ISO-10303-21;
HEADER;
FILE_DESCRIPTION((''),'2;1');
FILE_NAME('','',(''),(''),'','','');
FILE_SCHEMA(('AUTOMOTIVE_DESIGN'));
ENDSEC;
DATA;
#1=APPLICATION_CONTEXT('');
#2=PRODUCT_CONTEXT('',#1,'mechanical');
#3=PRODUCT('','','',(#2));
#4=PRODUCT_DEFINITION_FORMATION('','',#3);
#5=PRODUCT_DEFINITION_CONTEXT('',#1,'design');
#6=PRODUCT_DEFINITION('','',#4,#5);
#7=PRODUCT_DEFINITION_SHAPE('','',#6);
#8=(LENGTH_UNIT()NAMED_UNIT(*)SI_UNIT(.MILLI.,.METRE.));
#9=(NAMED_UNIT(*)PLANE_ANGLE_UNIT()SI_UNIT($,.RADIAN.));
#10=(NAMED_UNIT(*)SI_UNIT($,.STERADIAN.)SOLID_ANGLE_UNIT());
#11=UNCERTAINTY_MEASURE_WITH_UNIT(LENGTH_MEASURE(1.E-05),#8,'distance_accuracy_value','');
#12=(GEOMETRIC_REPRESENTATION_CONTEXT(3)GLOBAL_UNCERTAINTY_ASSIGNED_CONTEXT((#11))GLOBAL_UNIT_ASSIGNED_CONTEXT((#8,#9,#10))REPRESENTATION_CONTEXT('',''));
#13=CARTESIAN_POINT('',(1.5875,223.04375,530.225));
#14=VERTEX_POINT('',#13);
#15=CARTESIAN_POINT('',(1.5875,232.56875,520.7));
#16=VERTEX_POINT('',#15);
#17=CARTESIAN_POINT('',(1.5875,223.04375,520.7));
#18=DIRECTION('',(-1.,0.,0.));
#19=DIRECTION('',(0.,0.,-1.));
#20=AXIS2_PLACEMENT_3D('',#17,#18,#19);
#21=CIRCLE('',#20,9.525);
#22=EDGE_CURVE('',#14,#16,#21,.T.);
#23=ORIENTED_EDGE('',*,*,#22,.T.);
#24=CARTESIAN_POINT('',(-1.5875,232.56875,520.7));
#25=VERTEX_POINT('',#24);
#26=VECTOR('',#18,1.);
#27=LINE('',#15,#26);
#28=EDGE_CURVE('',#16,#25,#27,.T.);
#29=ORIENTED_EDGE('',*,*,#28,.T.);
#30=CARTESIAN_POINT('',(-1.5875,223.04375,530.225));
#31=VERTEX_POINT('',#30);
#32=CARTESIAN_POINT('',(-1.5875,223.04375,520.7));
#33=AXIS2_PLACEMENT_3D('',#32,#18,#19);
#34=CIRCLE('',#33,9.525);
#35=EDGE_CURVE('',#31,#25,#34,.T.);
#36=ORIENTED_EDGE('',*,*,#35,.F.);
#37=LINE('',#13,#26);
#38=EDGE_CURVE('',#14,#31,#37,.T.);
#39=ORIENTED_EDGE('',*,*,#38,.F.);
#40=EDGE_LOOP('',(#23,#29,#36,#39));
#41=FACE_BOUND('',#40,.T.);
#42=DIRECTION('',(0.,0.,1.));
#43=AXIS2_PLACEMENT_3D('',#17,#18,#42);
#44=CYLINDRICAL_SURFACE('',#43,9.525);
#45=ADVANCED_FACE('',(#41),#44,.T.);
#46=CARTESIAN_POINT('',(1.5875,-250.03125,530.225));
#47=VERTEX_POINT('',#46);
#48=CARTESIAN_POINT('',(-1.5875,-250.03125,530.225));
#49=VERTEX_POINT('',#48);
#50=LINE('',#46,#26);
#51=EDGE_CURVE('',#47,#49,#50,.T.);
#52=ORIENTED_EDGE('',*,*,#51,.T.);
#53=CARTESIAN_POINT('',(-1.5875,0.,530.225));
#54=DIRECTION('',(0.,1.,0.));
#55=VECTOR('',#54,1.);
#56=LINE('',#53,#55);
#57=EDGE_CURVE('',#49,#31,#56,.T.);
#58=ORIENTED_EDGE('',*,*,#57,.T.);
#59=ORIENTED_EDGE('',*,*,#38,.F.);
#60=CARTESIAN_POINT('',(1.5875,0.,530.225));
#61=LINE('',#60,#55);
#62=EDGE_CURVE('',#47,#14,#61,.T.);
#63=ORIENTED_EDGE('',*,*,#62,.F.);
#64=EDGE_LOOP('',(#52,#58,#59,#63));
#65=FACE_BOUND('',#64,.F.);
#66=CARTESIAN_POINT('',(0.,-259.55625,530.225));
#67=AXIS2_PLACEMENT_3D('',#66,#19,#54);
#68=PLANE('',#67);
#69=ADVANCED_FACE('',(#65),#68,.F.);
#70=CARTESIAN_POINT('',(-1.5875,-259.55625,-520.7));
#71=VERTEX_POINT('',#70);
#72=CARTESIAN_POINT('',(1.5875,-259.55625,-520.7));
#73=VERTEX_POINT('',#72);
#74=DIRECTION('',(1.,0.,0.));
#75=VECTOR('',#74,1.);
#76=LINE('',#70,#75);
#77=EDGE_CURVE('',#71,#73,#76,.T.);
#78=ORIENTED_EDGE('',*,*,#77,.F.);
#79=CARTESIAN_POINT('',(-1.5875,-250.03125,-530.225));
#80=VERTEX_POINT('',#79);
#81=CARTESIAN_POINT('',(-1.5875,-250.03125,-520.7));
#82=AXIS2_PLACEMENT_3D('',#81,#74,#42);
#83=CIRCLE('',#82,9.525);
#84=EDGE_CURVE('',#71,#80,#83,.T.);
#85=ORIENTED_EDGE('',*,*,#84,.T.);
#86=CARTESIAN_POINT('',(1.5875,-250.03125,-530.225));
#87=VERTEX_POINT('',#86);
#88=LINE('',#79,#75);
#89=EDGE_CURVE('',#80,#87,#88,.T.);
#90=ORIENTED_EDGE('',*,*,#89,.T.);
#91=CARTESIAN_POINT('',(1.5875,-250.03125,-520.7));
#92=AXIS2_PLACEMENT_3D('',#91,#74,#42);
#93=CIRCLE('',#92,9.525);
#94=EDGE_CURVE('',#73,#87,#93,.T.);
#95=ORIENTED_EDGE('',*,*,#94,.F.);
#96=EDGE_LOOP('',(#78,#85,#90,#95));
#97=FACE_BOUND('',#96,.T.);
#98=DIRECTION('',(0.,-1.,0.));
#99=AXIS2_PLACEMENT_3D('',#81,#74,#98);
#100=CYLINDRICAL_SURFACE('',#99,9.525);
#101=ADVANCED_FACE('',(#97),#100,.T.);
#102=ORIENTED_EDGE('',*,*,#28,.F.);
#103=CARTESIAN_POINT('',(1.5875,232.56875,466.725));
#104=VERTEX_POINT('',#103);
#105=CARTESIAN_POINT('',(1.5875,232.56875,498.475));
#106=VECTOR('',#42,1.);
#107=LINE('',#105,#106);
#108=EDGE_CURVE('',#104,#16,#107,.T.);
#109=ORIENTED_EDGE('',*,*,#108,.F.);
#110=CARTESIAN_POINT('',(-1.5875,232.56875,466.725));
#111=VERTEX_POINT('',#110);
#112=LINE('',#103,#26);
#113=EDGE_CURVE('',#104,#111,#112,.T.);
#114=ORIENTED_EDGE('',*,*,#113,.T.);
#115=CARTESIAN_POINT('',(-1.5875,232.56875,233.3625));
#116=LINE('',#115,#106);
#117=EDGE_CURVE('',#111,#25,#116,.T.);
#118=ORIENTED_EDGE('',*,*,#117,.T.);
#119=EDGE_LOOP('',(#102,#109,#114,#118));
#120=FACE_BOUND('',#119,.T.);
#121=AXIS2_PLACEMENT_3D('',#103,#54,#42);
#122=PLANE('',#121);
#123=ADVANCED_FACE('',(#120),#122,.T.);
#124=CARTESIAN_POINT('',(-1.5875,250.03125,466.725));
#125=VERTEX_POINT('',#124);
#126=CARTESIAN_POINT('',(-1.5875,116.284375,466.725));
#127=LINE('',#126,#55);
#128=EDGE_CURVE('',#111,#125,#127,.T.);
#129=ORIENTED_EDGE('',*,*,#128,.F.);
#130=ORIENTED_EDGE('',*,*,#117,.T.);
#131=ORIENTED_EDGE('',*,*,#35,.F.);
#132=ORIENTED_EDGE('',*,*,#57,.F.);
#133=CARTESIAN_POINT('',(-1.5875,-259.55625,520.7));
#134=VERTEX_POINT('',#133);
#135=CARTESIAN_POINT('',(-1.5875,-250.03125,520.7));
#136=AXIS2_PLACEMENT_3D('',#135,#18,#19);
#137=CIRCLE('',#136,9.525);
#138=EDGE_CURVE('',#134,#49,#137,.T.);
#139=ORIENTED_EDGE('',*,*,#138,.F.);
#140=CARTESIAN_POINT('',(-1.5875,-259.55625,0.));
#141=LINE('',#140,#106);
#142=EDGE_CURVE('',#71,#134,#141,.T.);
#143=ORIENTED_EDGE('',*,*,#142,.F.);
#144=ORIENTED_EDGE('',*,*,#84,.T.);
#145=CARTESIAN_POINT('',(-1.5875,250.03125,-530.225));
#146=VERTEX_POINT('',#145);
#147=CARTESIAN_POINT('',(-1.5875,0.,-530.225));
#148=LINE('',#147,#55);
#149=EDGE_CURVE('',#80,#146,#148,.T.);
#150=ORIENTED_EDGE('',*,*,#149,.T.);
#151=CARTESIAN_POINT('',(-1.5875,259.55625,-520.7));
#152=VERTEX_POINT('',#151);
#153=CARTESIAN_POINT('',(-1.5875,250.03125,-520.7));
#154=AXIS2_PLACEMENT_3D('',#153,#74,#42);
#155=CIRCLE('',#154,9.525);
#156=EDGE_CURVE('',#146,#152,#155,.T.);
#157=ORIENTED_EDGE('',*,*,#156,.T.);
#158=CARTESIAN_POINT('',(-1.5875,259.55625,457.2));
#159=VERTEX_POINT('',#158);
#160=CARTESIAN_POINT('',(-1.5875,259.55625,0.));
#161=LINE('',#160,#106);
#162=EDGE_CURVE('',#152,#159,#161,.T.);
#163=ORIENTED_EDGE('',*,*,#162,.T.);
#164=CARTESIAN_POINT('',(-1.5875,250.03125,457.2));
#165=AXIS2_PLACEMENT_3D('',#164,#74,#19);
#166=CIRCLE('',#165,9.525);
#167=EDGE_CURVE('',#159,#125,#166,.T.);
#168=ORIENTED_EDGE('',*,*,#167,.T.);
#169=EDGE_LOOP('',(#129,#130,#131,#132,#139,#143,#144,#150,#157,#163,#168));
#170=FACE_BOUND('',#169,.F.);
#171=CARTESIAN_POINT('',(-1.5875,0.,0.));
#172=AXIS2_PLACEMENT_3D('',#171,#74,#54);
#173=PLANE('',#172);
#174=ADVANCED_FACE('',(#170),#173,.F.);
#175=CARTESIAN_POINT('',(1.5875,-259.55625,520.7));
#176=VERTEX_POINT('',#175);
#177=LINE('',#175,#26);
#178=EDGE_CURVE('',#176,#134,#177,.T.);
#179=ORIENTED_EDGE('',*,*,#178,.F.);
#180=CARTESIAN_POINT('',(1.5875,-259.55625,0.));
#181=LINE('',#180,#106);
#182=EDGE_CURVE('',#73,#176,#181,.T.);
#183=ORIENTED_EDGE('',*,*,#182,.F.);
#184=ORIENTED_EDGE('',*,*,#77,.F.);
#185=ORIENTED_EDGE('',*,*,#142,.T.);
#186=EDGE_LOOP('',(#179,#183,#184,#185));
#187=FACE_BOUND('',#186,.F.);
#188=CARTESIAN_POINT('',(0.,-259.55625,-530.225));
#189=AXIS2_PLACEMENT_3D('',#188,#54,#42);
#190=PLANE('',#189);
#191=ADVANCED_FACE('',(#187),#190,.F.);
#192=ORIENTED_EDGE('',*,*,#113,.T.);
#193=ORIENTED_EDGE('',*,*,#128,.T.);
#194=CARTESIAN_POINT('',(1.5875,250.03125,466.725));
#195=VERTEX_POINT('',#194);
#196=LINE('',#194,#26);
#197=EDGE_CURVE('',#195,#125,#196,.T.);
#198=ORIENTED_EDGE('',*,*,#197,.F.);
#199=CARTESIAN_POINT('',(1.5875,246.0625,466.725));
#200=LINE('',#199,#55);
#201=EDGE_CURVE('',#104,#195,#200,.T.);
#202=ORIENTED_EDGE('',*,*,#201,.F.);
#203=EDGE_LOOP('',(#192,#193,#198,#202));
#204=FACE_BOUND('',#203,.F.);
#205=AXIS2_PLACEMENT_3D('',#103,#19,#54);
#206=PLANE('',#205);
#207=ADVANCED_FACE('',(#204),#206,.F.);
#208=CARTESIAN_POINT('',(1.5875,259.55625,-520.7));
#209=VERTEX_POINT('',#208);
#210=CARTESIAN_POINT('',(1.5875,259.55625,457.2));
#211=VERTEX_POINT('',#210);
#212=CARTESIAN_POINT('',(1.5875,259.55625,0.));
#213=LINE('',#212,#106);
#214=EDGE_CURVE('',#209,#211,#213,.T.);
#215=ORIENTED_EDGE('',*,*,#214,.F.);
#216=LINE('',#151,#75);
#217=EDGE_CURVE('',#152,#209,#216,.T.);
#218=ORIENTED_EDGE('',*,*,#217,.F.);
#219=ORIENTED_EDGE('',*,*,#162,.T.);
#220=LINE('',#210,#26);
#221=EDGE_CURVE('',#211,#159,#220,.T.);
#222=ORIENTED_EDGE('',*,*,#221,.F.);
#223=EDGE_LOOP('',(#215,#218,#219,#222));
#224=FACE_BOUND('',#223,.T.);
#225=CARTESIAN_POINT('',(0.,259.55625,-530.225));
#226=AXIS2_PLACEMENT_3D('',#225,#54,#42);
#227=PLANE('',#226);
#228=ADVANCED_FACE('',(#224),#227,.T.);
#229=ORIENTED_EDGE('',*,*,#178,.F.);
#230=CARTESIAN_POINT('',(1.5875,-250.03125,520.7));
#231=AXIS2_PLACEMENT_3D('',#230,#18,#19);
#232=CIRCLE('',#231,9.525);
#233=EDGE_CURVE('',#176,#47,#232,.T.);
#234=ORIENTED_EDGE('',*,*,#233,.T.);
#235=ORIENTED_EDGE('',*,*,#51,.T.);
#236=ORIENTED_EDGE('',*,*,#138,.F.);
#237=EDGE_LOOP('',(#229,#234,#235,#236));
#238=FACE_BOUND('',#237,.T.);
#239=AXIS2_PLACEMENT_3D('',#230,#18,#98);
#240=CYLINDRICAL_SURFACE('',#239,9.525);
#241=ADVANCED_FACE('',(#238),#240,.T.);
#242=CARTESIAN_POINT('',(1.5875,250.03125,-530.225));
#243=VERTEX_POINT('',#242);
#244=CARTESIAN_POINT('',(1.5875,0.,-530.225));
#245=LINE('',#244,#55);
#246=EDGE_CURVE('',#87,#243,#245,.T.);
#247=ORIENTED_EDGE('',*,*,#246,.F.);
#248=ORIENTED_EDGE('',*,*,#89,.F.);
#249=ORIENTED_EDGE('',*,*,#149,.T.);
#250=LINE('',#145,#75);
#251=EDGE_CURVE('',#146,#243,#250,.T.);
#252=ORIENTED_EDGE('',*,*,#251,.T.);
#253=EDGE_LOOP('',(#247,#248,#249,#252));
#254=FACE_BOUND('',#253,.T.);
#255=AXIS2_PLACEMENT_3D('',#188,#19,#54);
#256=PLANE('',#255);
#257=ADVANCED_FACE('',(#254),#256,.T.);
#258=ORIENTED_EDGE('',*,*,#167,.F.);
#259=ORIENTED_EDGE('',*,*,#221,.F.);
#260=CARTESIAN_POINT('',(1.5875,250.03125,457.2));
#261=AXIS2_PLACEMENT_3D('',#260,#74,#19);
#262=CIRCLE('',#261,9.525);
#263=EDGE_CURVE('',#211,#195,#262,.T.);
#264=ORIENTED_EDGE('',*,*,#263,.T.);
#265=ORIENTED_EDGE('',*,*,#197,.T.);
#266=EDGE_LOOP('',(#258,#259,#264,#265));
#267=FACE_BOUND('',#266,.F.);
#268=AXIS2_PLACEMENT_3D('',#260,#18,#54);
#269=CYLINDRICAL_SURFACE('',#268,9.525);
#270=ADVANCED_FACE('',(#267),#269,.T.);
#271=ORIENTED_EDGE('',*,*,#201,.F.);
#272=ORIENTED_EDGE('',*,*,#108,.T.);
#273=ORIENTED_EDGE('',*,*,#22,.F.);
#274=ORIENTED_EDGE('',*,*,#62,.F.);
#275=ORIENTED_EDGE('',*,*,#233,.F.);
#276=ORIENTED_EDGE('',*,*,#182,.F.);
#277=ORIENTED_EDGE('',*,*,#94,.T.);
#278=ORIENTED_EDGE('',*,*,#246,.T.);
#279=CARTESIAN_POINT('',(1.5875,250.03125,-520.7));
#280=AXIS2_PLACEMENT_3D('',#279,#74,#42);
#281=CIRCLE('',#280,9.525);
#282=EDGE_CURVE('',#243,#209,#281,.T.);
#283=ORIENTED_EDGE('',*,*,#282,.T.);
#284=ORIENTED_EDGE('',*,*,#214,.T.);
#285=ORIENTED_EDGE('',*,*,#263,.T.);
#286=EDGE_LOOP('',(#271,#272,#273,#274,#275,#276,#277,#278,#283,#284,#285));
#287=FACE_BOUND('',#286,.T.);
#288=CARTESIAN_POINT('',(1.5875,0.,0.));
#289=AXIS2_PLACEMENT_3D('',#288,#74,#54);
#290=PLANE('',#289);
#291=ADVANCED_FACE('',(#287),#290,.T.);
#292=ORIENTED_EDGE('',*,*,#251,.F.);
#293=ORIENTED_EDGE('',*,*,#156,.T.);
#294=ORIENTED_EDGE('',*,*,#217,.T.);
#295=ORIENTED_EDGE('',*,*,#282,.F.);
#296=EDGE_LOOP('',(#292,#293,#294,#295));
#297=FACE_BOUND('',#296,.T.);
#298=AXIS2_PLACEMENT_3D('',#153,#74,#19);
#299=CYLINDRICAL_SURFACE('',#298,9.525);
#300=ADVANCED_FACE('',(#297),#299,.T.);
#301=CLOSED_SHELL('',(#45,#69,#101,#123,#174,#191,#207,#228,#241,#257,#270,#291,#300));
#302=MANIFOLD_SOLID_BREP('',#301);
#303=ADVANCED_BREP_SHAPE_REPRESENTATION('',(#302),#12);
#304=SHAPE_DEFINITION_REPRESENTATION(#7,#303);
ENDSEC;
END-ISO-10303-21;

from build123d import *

# Parameters (mm, degrees)
F0_W     = 519.1125
F0_H     = 1060.45
F1_DEPTH = 1.5875
F2_W     = 26.9875
F2_H     = 63.5
F3_DEPTH = 3.176
F4_R     = 9.525


with BuildPart() as f1:
    # F0 (on Right) → F1 (new body, symmetric)
    with BuildSketch(Plane.YZ):
        Rectangle(F0_W, F0_H)
    extrude(amount=F1_DEPTH, both=True)

    # F2 (on face) → F3 (cut, through all)
    with BuildSketch(Plane.YZ.offset(1.5875)):
        with Locations((246.0625, 498.475)):
            Rectangle(F2_W, F2_H)
    extrude(amount=-F3_DEPTH, mode=Mode.SUBTRACT)

    # F4
    f4_edges = [f1.edges().sort_by_distance(p)[0] for p in [
        (0, -259.55625, 530.225),
        (0, -259.55625, -530.225),
        (0, 259.55625, -530.225),
        (0, 232.56875, 530.225),
        (0, 259.55625, 466.725),
    ]]
    fillet(f4_edges, radius=F4_R)


solid = f1.part
